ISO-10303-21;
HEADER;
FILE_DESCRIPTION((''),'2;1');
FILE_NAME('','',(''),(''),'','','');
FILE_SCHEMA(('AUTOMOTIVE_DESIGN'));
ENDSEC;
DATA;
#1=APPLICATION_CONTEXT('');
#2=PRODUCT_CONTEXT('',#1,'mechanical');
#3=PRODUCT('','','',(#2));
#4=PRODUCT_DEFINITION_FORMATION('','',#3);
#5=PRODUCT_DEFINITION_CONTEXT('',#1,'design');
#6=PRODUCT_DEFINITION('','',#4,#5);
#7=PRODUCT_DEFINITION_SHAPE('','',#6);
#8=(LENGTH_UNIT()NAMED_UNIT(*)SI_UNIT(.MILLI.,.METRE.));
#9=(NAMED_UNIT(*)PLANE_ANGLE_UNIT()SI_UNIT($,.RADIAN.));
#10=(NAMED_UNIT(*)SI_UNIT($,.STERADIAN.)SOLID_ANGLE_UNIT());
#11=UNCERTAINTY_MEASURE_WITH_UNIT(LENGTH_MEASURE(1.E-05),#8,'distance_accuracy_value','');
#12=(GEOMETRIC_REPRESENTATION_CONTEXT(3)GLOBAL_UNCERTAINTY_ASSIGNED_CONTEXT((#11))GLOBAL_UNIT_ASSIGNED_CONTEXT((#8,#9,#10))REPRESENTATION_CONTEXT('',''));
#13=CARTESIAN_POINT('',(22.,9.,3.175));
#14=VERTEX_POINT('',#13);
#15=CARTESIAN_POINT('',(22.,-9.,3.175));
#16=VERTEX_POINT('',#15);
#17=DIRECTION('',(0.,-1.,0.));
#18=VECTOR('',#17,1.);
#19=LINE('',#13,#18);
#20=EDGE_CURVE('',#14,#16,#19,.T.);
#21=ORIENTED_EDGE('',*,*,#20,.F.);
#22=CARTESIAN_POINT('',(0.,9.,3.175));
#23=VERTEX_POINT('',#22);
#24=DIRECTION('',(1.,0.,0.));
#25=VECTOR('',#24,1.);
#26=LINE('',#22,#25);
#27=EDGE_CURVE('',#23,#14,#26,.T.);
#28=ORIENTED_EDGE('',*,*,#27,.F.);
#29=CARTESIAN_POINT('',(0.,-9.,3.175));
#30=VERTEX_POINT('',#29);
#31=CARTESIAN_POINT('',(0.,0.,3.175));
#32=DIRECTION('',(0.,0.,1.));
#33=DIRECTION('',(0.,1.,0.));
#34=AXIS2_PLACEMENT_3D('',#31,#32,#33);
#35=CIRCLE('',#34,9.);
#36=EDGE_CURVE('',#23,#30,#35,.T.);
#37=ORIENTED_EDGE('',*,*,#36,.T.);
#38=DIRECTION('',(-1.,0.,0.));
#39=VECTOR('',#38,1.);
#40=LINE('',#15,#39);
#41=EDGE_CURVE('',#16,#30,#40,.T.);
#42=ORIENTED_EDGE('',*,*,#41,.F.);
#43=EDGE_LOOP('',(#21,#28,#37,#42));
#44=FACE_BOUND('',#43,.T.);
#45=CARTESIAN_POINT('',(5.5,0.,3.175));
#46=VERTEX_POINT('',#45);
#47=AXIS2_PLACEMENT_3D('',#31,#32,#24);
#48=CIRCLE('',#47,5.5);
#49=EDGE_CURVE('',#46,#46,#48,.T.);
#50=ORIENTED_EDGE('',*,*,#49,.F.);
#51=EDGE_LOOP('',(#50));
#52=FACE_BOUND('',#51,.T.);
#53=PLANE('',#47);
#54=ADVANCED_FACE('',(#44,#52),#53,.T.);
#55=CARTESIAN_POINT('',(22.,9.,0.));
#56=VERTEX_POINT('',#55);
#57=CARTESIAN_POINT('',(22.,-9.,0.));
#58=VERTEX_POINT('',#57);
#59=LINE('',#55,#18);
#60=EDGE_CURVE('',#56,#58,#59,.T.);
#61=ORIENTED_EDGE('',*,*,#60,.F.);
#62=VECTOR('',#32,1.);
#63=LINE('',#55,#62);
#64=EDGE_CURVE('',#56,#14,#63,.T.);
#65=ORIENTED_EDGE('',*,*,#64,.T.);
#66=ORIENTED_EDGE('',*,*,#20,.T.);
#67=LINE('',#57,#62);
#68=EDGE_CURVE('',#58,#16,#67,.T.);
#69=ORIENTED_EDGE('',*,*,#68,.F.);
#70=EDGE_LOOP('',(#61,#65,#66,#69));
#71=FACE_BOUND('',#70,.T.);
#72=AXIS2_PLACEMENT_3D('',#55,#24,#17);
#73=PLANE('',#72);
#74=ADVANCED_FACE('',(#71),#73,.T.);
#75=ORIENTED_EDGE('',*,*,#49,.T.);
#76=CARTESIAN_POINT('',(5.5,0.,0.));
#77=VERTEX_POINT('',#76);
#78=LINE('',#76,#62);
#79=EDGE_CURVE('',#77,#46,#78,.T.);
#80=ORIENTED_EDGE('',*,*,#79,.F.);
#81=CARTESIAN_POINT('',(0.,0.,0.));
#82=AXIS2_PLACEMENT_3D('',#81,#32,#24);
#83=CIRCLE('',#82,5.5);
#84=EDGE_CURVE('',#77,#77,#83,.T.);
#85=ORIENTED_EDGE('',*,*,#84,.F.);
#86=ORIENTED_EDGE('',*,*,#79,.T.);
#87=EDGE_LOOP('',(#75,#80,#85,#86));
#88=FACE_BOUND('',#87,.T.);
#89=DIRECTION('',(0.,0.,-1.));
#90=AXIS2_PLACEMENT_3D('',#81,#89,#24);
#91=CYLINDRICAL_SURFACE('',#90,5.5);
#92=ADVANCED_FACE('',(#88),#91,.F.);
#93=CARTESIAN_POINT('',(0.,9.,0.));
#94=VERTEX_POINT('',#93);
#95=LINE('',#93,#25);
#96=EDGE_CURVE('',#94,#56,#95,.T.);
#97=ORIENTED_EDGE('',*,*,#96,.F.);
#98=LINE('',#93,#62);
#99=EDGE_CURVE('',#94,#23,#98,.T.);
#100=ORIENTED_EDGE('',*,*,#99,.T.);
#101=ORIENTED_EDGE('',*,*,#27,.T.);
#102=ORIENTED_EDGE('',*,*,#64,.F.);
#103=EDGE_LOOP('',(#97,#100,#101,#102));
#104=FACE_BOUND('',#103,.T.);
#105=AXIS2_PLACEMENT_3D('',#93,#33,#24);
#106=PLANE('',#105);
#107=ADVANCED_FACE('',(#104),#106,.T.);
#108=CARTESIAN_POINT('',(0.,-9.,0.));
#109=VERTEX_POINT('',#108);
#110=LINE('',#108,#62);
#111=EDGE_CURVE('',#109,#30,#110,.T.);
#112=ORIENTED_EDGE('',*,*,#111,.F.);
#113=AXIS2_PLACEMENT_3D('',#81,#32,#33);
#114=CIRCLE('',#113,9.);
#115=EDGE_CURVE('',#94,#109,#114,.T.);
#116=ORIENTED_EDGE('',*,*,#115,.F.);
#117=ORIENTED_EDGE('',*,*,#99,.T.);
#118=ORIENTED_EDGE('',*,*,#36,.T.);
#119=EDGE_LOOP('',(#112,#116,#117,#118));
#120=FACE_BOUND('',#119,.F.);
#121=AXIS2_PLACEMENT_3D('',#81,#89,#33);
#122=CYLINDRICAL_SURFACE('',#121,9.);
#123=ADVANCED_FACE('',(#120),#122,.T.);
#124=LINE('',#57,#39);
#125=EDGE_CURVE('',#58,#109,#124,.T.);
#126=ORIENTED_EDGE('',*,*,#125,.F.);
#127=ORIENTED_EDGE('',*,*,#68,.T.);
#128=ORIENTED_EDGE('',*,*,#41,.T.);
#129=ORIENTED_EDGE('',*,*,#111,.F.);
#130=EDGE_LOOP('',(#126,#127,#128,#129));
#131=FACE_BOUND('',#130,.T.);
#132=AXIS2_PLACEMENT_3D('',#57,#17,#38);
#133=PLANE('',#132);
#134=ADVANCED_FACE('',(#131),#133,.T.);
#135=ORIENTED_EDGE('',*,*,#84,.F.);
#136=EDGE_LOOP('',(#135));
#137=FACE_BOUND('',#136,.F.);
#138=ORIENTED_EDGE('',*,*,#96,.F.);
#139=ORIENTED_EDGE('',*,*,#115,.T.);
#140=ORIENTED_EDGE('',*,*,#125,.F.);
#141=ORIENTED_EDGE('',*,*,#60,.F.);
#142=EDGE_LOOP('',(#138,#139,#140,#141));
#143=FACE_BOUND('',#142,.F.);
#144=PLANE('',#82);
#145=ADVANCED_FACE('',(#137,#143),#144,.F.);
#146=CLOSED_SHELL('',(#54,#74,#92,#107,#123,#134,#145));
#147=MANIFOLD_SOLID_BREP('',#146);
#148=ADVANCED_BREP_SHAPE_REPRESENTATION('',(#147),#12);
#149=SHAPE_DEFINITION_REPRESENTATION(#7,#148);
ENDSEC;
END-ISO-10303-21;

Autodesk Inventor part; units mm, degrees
ref_plane "YZ Plane" through (0, 0, 0) normal (1, 0, 0) x (0, 1, 0)
ref_plane "XZ Plane" through (0, 0, 0) normal (0, 1, 0) x (-1, 0, 0)
ref_plane "XY Plane" through (0, 0, 0) normal (0, 0, 1) x (1, 0, 0)
sketch "Sketch1" plane through (0, 0, 0) normal (0, 0, 1) x (1, 0, 0)
  circle A0 centre (0, 0) radius 5.5
  line L0 (0, 9) -> (22, 9)
  line L1 (22, -9) -> (0, -9)
  arc A1 (0, 9) -> (0, -9) centre (0, 0) ccw
  line L2 (22, 9) -> (22, -9)
  dimension "d0" = 11
  dimension "d1" = 9
  dimension "d9" = 22
extrude "Extrusion1" add sketch "Sketch1" along normal blind 3.175
properties part number "tipper_link_D_spacer"
